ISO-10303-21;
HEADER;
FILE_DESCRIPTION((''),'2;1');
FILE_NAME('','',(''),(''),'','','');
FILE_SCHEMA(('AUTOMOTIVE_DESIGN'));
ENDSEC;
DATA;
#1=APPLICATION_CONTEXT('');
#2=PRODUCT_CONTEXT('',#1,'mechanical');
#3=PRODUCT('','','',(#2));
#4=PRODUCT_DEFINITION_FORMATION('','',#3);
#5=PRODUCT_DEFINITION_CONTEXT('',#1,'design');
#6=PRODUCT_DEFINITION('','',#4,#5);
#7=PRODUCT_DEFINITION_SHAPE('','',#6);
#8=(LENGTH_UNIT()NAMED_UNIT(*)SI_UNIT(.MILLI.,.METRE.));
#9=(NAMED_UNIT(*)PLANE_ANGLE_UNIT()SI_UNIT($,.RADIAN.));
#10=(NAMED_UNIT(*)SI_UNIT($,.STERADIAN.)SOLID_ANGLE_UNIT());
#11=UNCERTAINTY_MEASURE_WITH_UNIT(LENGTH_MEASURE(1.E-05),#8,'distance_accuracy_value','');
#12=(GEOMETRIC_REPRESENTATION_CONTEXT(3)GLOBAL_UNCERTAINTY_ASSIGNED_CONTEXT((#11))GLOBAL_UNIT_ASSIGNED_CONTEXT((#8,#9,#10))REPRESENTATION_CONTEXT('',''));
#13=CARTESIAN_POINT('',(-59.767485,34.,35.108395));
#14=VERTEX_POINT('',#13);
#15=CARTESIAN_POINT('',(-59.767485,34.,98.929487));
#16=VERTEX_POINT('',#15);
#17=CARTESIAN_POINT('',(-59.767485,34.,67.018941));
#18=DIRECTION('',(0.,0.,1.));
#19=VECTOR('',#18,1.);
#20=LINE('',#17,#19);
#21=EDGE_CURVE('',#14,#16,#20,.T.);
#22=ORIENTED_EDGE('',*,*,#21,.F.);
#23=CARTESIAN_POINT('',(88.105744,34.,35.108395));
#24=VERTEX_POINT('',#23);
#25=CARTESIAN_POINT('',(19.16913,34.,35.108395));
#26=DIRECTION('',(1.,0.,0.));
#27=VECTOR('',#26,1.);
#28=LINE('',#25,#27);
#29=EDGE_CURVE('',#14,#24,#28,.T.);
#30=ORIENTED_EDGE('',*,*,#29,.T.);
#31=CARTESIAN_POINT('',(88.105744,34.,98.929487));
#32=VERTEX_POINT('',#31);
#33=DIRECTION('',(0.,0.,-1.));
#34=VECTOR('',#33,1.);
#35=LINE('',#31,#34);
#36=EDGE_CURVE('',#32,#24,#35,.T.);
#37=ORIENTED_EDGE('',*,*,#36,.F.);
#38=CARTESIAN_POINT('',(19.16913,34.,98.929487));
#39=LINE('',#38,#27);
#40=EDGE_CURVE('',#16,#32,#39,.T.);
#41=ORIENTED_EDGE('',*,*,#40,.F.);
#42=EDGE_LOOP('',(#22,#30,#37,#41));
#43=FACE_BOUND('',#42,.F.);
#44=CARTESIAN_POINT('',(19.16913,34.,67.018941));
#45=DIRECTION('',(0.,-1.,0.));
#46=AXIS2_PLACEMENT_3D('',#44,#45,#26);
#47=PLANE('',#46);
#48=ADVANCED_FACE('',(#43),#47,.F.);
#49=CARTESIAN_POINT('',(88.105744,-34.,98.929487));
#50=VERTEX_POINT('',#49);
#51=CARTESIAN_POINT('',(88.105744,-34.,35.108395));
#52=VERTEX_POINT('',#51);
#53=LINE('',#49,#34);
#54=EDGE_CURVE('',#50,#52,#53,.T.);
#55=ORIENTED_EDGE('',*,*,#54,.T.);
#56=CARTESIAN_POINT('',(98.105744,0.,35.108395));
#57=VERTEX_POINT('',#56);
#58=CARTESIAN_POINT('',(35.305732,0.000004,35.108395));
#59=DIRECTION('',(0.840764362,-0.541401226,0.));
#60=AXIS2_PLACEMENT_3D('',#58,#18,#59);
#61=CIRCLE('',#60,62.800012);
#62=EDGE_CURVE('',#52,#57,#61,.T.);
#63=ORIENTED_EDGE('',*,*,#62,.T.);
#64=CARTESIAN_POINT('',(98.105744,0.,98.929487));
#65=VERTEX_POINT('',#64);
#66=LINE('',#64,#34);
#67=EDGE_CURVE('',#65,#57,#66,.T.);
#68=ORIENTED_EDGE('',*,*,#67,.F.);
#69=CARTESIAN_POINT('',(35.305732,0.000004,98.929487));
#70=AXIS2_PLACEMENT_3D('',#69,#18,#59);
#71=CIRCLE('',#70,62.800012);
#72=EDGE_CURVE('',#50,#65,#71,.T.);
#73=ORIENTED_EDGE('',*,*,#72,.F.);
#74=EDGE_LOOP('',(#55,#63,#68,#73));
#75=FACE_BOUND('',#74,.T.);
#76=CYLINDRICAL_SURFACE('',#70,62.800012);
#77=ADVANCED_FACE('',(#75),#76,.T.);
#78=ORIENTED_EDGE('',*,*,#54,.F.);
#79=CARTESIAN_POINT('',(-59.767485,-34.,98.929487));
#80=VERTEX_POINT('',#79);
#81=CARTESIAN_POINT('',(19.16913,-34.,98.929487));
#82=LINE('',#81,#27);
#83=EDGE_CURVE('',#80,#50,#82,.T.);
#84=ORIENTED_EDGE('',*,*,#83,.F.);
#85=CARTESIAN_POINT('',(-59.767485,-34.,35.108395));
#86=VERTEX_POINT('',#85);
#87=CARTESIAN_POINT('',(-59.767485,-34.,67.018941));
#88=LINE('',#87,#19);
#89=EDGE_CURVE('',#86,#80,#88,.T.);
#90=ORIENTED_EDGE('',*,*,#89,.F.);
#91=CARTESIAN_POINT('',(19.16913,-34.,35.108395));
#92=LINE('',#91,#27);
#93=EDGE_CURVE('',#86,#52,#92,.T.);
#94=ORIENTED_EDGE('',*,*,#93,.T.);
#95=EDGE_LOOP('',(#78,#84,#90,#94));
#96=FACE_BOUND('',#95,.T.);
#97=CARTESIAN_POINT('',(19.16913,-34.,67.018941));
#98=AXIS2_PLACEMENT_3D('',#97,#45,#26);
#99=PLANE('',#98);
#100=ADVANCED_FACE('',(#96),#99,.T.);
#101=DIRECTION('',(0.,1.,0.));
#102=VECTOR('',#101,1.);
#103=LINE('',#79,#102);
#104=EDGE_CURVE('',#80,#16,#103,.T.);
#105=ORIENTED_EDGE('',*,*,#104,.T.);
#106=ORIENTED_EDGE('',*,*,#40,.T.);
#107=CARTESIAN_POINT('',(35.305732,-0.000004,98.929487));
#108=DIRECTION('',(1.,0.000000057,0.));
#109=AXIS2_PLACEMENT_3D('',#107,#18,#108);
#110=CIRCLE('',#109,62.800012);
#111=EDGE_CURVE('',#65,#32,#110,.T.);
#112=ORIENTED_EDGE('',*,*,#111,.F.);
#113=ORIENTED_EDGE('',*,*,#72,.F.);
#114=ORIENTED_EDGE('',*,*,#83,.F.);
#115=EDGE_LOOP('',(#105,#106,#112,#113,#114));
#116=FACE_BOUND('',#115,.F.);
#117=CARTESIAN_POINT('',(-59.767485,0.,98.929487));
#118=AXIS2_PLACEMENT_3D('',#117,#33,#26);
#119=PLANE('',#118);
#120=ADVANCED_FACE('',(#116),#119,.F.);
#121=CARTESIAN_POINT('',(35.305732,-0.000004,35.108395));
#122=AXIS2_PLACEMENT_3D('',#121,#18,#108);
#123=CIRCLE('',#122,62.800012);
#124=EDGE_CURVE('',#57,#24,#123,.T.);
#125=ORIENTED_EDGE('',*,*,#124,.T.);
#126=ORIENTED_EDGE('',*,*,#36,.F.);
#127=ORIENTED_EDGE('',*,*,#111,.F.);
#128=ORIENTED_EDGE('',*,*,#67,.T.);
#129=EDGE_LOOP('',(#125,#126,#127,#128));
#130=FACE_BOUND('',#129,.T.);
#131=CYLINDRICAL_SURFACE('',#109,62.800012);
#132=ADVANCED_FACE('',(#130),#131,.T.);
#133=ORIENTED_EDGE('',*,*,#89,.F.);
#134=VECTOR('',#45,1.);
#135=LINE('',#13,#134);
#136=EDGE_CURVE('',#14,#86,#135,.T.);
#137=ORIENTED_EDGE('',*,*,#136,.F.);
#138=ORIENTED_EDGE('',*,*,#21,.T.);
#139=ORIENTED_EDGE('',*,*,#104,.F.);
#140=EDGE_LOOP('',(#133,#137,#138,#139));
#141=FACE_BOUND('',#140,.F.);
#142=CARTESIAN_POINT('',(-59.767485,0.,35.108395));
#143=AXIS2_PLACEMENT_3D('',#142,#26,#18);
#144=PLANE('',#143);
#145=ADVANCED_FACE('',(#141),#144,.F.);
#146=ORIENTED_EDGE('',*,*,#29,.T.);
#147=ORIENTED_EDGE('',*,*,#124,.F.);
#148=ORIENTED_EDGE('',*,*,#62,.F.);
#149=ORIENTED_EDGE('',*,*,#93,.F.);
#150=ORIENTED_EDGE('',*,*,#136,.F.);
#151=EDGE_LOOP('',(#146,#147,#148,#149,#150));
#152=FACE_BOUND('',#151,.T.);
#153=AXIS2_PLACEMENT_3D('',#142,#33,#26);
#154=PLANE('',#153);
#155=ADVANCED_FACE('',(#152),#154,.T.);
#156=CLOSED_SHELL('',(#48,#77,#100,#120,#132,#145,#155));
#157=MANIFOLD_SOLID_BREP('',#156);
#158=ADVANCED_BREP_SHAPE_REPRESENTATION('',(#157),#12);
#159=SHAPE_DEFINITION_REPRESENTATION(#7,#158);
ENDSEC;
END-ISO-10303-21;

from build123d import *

# Parameters (mm, degrees)
F0_W     = 157.873229
F0_H     = 63.821092
F1_DEPTH = 34
F3_DEPTH = 63.821092


with BuildPart() as f1:
    # F0 (on Front) → F1 (new body, symmetric)
    with BuildSketch(Plane.XZ):
        with Locations((19.16913, 67.018941)):
            Rectangle(F0_W, F0_H)
    extrude(amount=F1_DEPTH, both=True)

    # F2 (on face) → F3 (intersect, through all)
    with BuildSketch(Plane.XY.offset(98.929487)):
        with BuildLine():
            Line((-59.767485, 34), (-59.767485, -34))
            Line((-59.767485, -34), (88.105744, -34))
            ThreePointArc((88.105744, -34), (95.553897, -17.720045), (98.105744, 0))
            ThreePointArc((98.105744, 0), (95.553897, 17.720045), (88.105744, 34))
            Line((88.105744, 34), (-59.767485, 34))
        make_face()
    extrude(amount=-F3_DEPTH, mode=Mode.INTERSECT)


solid = f1.part
